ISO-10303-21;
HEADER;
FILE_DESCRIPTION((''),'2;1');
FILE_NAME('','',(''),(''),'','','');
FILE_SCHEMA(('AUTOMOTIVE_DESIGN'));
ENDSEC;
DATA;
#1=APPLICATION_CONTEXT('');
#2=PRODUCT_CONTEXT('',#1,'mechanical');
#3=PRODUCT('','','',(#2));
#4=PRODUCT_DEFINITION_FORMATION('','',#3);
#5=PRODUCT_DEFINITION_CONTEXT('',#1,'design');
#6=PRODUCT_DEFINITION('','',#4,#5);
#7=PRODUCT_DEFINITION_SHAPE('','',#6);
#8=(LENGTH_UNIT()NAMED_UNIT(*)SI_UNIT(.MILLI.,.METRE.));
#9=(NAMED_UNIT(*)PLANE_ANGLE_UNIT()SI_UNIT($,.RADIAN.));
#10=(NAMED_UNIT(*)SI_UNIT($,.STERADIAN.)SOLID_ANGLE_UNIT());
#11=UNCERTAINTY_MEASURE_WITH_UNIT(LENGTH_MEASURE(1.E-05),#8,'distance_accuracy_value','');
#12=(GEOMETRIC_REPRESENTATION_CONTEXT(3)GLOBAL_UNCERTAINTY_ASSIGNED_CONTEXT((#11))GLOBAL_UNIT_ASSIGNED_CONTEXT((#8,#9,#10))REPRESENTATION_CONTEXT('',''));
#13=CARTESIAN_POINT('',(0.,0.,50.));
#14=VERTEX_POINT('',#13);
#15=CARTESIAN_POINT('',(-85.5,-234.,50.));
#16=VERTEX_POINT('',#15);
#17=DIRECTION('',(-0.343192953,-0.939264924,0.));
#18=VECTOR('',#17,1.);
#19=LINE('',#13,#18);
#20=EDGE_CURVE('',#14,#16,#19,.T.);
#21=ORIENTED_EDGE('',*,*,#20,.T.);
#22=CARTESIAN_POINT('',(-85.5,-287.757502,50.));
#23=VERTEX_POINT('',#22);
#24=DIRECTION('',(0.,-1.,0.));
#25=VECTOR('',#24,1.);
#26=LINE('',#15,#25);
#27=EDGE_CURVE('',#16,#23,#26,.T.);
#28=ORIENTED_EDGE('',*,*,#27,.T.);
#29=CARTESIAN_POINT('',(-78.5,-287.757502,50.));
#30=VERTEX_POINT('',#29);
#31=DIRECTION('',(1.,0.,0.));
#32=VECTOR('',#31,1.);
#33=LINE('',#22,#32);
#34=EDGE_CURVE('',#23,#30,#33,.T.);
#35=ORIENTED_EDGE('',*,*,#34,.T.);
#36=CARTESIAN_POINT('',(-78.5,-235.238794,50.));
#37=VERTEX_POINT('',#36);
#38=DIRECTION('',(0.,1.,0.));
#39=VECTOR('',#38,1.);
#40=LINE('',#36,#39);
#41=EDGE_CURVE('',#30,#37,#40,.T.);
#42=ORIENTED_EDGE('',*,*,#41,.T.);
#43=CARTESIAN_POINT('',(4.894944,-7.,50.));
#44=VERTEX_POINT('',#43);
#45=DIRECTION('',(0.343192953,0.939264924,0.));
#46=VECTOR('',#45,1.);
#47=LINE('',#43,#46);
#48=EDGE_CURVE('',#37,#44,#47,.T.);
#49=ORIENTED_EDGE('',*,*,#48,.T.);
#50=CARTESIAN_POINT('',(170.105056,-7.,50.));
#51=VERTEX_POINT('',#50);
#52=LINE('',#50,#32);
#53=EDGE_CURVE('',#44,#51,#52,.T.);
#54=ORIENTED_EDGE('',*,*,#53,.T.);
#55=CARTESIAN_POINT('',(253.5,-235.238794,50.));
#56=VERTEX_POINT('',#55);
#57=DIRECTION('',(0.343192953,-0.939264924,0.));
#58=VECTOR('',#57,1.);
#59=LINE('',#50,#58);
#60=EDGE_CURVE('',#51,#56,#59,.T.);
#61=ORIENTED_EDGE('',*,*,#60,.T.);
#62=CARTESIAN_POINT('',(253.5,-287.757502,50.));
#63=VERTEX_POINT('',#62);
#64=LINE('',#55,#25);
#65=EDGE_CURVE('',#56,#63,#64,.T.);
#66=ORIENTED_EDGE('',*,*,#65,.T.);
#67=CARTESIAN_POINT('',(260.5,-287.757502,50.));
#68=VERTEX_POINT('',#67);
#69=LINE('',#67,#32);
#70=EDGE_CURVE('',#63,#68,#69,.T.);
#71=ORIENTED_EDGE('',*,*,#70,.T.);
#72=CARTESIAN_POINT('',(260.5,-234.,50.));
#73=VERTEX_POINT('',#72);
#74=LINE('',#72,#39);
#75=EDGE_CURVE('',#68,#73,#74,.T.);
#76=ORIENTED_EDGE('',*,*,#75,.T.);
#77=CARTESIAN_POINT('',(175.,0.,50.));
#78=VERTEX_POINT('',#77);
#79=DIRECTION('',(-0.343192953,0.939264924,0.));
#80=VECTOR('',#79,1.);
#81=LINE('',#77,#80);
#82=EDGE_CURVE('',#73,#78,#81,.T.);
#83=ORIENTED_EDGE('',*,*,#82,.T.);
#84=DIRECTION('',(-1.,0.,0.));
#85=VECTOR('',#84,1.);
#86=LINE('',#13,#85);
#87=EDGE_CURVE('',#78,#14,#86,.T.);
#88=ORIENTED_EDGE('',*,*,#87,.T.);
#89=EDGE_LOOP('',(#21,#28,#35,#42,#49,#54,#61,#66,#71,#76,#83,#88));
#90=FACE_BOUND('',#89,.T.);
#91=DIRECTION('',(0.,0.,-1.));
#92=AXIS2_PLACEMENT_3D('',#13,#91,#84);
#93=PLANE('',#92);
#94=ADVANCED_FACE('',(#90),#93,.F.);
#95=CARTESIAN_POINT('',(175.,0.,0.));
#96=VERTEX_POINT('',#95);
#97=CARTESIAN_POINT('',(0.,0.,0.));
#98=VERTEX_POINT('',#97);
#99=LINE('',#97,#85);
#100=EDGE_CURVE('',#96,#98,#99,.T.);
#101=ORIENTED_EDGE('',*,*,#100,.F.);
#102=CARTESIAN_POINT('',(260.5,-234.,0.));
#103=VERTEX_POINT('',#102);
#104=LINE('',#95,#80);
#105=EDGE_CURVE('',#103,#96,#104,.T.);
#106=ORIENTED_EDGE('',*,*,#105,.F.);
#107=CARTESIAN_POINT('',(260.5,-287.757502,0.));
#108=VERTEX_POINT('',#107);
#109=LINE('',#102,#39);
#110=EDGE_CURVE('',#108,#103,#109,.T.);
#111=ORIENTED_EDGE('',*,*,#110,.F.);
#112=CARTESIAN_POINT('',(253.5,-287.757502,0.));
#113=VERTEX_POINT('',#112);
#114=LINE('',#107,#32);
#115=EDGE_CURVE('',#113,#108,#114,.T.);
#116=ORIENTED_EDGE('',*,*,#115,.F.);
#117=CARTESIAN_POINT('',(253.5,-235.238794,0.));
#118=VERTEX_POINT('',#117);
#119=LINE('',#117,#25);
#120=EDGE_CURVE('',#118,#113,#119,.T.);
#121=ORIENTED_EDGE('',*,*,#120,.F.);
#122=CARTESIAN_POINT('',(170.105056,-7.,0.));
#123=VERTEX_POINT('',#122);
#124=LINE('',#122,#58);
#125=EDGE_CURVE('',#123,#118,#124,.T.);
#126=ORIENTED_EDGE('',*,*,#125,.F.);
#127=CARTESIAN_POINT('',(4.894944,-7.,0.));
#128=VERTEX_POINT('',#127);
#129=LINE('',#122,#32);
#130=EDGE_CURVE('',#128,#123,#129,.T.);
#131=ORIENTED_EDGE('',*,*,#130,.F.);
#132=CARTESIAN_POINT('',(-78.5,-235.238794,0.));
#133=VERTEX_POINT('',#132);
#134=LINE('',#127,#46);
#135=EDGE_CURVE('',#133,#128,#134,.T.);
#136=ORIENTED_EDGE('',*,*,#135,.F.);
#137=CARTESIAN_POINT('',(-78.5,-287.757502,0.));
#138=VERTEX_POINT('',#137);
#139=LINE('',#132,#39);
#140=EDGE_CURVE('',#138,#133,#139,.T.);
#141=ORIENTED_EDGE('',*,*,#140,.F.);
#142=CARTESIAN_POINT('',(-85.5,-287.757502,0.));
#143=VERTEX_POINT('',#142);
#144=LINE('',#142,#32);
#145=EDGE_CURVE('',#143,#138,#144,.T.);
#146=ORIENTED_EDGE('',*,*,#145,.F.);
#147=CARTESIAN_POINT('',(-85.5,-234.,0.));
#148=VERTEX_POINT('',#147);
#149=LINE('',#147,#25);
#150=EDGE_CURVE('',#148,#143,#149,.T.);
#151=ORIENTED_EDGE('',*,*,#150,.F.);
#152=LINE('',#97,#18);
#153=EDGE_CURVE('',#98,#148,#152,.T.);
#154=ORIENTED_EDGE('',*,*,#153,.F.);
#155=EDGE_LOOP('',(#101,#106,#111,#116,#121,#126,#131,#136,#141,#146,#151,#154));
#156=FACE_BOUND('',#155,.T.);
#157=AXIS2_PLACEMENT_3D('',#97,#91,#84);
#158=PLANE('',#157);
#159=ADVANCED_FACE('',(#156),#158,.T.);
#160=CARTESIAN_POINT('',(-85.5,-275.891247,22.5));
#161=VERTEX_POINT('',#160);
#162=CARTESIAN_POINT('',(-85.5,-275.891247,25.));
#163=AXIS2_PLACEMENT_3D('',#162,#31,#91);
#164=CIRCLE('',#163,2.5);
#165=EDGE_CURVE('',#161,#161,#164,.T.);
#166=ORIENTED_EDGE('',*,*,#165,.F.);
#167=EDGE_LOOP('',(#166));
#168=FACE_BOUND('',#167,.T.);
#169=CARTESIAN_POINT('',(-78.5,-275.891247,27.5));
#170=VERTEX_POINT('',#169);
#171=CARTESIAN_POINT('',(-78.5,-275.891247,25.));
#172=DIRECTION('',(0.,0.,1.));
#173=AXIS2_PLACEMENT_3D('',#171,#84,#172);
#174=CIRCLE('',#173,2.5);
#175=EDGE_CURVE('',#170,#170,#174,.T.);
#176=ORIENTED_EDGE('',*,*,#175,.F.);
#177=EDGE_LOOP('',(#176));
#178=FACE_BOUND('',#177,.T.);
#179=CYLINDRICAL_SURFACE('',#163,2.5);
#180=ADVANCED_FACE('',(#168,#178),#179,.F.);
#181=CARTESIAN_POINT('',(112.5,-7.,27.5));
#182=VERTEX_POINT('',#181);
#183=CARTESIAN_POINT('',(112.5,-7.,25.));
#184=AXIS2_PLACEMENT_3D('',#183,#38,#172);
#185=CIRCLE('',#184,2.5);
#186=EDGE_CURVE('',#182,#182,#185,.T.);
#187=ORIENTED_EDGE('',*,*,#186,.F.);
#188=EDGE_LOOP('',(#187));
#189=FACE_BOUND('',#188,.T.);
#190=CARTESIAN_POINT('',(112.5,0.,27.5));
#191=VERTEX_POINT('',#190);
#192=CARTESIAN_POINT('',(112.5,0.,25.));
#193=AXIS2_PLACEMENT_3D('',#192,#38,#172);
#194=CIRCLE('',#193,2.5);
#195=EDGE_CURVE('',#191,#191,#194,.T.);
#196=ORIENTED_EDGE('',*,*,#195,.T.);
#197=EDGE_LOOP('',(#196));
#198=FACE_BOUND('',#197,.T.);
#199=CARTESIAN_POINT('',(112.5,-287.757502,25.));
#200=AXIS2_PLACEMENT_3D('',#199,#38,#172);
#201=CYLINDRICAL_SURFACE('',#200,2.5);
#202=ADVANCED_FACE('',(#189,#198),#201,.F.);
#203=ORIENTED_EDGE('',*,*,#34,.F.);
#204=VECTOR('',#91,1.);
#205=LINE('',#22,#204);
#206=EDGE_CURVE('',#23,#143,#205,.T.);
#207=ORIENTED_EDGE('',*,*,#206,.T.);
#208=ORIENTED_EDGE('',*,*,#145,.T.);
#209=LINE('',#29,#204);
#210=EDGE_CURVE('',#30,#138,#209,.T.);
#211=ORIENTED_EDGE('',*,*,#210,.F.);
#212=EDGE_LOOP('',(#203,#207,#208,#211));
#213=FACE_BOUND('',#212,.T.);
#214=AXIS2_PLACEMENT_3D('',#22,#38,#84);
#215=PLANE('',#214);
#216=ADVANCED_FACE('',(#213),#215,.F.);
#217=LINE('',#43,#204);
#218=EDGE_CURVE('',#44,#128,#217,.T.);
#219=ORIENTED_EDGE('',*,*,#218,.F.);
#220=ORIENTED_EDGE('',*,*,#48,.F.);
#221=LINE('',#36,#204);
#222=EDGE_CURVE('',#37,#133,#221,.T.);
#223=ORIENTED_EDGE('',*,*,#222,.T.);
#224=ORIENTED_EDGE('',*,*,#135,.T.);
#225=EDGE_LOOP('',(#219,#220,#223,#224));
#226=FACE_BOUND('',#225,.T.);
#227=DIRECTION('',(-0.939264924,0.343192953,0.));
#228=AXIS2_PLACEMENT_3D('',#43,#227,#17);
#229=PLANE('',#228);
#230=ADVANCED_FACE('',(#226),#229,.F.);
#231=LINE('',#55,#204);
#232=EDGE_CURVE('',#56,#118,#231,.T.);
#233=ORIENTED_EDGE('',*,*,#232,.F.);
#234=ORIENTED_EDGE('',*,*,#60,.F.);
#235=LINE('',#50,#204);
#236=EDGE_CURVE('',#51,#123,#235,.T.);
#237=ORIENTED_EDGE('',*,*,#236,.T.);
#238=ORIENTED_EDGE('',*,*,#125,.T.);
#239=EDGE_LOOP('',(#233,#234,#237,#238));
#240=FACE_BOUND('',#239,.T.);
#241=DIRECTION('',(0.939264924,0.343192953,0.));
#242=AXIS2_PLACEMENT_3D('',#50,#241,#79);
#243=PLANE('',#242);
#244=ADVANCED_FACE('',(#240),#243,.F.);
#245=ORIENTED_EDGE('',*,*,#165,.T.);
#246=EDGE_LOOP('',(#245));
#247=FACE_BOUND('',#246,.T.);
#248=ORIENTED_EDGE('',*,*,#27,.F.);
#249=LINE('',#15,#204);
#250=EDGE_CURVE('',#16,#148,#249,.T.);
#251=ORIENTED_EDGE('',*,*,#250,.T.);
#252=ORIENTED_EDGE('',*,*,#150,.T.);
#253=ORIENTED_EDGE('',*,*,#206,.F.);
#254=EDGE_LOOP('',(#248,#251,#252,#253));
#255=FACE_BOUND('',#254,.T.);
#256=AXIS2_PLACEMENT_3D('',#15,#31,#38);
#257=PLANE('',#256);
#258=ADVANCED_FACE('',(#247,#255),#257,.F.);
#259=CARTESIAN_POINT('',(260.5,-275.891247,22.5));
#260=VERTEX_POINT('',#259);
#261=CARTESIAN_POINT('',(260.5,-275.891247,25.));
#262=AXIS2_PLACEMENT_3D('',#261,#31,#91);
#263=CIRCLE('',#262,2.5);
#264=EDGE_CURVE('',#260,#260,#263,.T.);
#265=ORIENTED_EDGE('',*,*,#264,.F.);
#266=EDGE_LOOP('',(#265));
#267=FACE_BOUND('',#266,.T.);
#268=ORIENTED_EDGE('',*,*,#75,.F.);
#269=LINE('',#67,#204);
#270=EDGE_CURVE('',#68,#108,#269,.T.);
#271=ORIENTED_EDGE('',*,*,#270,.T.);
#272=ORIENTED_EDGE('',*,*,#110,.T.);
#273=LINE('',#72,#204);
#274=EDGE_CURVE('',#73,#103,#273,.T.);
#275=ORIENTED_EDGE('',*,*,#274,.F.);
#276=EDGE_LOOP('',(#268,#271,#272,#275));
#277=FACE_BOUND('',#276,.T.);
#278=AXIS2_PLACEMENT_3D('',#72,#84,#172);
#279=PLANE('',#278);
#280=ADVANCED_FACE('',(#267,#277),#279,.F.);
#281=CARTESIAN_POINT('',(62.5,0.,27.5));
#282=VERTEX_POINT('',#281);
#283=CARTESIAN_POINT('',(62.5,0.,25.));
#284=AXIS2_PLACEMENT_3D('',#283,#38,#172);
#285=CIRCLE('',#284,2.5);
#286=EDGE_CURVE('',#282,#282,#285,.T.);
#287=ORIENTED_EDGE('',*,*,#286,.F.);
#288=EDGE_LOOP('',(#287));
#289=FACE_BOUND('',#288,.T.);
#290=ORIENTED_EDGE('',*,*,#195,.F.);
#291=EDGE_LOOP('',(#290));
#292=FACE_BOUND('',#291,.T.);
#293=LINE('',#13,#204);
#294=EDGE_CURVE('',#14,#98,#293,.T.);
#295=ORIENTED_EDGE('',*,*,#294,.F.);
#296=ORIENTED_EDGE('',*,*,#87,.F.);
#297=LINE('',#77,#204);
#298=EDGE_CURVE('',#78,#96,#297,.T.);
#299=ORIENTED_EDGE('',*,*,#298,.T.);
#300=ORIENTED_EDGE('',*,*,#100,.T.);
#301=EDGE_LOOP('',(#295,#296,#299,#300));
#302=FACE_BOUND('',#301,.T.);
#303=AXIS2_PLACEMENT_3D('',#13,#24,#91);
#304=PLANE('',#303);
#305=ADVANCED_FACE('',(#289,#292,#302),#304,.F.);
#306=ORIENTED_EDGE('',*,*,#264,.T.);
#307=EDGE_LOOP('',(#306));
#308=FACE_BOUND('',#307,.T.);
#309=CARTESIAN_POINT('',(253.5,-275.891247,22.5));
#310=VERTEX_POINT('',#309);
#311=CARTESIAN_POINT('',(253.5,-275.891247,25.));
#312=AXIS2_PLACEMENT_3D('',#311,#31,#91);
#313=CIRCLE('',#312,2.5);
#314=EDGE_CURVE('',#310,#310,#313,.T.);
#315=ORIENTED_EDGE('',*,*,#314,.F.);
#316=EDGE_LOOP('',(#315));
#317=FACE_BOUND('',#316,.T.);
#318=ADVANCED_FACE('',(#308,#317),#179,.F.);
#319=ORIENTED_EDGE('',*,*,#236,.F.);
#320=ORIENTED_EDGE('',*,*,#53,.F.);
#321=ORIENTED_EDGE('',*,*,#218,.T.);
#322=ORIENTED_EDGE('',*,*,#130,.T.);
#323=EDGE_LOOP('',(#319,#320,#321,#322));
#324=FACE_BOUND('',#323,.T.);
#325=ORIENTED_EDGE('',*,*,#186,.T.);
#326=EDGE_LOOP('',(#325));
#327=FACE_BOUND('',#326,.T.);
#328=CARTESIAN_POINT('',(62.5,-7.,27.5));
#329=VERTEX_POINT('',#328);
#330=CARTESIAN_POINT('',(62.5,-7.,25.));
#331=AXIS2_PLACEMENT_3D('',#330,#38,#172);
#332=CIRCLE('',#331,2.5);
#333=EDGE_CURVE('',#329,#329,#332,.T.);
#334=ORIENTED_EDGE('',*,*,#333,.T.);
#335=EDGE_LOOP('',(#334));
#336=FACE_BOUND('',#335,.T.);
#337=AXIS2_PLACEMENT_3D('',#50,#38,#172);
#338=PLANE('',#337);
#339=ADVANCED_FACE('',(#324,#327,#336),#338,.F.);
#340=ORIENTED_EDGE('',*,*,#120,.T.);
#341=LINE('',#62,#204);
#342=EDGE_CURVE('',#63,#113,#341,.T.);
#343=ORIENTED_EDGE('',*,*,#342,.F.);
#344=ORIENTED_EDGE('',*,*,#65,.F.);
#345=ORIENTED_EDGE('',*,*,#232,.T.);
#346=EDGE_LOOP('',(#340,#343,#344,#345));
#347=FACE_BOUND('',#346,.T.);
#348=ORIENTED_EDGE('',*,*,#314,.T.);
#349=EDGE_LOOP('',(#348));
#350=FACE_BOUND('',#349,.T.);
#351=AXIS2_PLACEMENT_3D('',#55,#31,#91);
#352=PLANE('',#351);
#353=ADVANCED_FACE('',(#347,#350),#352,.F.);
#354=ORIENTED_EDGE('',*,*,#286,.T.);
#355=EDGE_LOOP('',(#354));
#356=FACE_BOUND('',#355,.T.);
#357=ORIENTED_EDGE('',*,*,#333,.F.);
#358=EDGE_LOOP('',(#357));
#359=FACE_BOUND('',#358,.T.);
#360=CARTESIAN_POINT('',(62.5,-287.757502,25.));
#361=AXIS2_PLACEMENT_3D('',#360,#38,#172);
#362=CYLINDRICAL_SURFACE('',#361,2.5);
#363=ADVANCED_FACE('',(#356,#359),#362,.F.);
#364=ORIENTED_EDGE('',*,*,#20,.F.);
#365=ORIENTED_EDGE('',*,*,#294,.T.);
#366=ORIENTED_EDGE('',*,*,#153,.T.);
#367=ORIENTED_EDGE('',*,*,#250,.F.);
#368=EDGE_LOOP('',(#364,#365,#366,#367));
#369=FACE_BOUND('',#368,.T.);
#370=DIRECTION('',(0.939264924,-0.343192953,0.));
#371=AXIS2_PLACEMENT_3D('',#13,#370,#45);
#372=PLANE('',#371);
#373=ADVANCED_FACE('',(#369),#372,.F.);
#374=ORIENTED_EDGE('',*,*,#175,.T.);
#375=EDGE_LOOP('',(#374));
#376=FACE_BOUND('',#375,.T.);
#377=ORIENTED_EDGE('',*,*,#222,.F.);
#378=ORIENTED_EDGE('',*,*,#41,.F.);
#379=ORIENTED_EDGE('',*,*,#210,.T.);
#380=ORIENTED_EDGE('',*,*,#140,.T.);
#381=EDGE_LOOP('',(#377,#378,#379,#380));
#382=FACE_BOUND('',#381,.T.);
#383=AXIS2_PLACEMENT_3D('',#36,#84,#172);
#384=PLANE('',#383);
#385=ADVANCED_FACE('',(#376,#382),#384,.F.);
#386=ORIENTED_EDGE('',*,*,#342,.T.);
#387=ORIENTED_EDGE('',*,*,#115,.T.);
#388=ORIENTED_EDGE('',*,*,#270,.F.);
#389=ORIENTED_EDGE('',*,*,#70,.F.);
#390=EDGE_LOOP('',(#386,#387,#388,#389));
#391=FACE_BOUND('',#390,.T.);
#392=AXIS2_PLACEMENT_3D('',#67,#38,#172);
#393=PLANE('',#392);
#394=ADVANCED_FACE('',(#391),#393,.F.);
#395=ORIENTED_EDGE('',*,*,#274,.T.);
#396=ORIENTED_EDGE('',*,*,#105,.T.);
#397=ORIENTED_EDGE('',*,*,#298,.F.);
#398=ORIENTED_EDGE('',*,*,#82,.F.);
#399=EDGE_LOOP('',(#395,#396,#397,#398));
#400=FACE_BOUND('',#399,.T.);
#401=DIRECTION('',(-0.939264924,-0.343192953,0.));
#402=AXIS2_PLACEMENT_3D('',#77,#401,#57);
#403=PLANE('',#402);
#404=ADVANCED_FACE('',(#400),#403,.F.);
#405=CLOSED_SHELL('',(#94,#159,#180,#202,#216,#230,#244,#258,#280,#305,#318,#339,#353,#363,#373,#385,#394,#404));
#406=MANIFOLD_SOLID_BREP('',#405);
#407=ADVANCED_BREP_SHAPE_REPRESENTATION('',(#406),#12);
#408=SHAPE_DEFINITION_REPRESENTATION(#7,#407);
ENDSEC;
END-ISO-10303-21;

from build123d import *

# Parameters (mm, degrees)
BOSS_EXTRUDE2_DEPTH = 50
SKETCH2_R           = 2.5
CUT_EXTRUDE1_DEPTH  = 347
SKETCH3_R           = 2.5
CUT_EXTRUDE2_DEPTH  = 288.757501625


with BuildPart() as part:
    # Sketch1 → Boss-Extrude2 (new body)
    with BuildSketch(Plane.XY):
        Polygon((0, 0), (-85.5, -234), (-85.5, -287.757501625), (-78.5, -287.757501625), (-78.5, -235.238794474), (4.894944135, -7), (170.105055865, -7), (253.5, -235.238794474), (253.5, -287.757501625), (260.5, -287.757501625), (260.5, -234), (175, 0), align=None)
    extrude(amount=BOSS_EXTRUDE2_DEPTH)

    # Sketch2 → Cut-Extrude1 (cut, through all)
    with BuildSketch(Plane(origin=(260.5, 0, 0), x_dir=(0, 0, -1), z_dir=(1, 0, 0))):
        with Locations((-25, -275.891246781)):
            Circle(SKETCH2_R)
    extrude(amount=-CUT_EXTRUDE1_DEPTH, mode=Mode.SUBTRACT)

    # Sketch3 → Cut-Extrude2 (cut, through all)
    with BuildSketch(Plane(origin=(0, 0, 0), x_dir=(1, 0, 0), z_dir=(0, 1, 0))):
        with Locations((112.5, -25)):
            Circle(SKETCH3_R)
        with Locations((62.5, -25)):
            Circle(SKETCH3_R)
    extrude(amount=-CUT_EXTRUDE2_DEPTH, mode=Mode.SUBTRACT)


solid = part.part
